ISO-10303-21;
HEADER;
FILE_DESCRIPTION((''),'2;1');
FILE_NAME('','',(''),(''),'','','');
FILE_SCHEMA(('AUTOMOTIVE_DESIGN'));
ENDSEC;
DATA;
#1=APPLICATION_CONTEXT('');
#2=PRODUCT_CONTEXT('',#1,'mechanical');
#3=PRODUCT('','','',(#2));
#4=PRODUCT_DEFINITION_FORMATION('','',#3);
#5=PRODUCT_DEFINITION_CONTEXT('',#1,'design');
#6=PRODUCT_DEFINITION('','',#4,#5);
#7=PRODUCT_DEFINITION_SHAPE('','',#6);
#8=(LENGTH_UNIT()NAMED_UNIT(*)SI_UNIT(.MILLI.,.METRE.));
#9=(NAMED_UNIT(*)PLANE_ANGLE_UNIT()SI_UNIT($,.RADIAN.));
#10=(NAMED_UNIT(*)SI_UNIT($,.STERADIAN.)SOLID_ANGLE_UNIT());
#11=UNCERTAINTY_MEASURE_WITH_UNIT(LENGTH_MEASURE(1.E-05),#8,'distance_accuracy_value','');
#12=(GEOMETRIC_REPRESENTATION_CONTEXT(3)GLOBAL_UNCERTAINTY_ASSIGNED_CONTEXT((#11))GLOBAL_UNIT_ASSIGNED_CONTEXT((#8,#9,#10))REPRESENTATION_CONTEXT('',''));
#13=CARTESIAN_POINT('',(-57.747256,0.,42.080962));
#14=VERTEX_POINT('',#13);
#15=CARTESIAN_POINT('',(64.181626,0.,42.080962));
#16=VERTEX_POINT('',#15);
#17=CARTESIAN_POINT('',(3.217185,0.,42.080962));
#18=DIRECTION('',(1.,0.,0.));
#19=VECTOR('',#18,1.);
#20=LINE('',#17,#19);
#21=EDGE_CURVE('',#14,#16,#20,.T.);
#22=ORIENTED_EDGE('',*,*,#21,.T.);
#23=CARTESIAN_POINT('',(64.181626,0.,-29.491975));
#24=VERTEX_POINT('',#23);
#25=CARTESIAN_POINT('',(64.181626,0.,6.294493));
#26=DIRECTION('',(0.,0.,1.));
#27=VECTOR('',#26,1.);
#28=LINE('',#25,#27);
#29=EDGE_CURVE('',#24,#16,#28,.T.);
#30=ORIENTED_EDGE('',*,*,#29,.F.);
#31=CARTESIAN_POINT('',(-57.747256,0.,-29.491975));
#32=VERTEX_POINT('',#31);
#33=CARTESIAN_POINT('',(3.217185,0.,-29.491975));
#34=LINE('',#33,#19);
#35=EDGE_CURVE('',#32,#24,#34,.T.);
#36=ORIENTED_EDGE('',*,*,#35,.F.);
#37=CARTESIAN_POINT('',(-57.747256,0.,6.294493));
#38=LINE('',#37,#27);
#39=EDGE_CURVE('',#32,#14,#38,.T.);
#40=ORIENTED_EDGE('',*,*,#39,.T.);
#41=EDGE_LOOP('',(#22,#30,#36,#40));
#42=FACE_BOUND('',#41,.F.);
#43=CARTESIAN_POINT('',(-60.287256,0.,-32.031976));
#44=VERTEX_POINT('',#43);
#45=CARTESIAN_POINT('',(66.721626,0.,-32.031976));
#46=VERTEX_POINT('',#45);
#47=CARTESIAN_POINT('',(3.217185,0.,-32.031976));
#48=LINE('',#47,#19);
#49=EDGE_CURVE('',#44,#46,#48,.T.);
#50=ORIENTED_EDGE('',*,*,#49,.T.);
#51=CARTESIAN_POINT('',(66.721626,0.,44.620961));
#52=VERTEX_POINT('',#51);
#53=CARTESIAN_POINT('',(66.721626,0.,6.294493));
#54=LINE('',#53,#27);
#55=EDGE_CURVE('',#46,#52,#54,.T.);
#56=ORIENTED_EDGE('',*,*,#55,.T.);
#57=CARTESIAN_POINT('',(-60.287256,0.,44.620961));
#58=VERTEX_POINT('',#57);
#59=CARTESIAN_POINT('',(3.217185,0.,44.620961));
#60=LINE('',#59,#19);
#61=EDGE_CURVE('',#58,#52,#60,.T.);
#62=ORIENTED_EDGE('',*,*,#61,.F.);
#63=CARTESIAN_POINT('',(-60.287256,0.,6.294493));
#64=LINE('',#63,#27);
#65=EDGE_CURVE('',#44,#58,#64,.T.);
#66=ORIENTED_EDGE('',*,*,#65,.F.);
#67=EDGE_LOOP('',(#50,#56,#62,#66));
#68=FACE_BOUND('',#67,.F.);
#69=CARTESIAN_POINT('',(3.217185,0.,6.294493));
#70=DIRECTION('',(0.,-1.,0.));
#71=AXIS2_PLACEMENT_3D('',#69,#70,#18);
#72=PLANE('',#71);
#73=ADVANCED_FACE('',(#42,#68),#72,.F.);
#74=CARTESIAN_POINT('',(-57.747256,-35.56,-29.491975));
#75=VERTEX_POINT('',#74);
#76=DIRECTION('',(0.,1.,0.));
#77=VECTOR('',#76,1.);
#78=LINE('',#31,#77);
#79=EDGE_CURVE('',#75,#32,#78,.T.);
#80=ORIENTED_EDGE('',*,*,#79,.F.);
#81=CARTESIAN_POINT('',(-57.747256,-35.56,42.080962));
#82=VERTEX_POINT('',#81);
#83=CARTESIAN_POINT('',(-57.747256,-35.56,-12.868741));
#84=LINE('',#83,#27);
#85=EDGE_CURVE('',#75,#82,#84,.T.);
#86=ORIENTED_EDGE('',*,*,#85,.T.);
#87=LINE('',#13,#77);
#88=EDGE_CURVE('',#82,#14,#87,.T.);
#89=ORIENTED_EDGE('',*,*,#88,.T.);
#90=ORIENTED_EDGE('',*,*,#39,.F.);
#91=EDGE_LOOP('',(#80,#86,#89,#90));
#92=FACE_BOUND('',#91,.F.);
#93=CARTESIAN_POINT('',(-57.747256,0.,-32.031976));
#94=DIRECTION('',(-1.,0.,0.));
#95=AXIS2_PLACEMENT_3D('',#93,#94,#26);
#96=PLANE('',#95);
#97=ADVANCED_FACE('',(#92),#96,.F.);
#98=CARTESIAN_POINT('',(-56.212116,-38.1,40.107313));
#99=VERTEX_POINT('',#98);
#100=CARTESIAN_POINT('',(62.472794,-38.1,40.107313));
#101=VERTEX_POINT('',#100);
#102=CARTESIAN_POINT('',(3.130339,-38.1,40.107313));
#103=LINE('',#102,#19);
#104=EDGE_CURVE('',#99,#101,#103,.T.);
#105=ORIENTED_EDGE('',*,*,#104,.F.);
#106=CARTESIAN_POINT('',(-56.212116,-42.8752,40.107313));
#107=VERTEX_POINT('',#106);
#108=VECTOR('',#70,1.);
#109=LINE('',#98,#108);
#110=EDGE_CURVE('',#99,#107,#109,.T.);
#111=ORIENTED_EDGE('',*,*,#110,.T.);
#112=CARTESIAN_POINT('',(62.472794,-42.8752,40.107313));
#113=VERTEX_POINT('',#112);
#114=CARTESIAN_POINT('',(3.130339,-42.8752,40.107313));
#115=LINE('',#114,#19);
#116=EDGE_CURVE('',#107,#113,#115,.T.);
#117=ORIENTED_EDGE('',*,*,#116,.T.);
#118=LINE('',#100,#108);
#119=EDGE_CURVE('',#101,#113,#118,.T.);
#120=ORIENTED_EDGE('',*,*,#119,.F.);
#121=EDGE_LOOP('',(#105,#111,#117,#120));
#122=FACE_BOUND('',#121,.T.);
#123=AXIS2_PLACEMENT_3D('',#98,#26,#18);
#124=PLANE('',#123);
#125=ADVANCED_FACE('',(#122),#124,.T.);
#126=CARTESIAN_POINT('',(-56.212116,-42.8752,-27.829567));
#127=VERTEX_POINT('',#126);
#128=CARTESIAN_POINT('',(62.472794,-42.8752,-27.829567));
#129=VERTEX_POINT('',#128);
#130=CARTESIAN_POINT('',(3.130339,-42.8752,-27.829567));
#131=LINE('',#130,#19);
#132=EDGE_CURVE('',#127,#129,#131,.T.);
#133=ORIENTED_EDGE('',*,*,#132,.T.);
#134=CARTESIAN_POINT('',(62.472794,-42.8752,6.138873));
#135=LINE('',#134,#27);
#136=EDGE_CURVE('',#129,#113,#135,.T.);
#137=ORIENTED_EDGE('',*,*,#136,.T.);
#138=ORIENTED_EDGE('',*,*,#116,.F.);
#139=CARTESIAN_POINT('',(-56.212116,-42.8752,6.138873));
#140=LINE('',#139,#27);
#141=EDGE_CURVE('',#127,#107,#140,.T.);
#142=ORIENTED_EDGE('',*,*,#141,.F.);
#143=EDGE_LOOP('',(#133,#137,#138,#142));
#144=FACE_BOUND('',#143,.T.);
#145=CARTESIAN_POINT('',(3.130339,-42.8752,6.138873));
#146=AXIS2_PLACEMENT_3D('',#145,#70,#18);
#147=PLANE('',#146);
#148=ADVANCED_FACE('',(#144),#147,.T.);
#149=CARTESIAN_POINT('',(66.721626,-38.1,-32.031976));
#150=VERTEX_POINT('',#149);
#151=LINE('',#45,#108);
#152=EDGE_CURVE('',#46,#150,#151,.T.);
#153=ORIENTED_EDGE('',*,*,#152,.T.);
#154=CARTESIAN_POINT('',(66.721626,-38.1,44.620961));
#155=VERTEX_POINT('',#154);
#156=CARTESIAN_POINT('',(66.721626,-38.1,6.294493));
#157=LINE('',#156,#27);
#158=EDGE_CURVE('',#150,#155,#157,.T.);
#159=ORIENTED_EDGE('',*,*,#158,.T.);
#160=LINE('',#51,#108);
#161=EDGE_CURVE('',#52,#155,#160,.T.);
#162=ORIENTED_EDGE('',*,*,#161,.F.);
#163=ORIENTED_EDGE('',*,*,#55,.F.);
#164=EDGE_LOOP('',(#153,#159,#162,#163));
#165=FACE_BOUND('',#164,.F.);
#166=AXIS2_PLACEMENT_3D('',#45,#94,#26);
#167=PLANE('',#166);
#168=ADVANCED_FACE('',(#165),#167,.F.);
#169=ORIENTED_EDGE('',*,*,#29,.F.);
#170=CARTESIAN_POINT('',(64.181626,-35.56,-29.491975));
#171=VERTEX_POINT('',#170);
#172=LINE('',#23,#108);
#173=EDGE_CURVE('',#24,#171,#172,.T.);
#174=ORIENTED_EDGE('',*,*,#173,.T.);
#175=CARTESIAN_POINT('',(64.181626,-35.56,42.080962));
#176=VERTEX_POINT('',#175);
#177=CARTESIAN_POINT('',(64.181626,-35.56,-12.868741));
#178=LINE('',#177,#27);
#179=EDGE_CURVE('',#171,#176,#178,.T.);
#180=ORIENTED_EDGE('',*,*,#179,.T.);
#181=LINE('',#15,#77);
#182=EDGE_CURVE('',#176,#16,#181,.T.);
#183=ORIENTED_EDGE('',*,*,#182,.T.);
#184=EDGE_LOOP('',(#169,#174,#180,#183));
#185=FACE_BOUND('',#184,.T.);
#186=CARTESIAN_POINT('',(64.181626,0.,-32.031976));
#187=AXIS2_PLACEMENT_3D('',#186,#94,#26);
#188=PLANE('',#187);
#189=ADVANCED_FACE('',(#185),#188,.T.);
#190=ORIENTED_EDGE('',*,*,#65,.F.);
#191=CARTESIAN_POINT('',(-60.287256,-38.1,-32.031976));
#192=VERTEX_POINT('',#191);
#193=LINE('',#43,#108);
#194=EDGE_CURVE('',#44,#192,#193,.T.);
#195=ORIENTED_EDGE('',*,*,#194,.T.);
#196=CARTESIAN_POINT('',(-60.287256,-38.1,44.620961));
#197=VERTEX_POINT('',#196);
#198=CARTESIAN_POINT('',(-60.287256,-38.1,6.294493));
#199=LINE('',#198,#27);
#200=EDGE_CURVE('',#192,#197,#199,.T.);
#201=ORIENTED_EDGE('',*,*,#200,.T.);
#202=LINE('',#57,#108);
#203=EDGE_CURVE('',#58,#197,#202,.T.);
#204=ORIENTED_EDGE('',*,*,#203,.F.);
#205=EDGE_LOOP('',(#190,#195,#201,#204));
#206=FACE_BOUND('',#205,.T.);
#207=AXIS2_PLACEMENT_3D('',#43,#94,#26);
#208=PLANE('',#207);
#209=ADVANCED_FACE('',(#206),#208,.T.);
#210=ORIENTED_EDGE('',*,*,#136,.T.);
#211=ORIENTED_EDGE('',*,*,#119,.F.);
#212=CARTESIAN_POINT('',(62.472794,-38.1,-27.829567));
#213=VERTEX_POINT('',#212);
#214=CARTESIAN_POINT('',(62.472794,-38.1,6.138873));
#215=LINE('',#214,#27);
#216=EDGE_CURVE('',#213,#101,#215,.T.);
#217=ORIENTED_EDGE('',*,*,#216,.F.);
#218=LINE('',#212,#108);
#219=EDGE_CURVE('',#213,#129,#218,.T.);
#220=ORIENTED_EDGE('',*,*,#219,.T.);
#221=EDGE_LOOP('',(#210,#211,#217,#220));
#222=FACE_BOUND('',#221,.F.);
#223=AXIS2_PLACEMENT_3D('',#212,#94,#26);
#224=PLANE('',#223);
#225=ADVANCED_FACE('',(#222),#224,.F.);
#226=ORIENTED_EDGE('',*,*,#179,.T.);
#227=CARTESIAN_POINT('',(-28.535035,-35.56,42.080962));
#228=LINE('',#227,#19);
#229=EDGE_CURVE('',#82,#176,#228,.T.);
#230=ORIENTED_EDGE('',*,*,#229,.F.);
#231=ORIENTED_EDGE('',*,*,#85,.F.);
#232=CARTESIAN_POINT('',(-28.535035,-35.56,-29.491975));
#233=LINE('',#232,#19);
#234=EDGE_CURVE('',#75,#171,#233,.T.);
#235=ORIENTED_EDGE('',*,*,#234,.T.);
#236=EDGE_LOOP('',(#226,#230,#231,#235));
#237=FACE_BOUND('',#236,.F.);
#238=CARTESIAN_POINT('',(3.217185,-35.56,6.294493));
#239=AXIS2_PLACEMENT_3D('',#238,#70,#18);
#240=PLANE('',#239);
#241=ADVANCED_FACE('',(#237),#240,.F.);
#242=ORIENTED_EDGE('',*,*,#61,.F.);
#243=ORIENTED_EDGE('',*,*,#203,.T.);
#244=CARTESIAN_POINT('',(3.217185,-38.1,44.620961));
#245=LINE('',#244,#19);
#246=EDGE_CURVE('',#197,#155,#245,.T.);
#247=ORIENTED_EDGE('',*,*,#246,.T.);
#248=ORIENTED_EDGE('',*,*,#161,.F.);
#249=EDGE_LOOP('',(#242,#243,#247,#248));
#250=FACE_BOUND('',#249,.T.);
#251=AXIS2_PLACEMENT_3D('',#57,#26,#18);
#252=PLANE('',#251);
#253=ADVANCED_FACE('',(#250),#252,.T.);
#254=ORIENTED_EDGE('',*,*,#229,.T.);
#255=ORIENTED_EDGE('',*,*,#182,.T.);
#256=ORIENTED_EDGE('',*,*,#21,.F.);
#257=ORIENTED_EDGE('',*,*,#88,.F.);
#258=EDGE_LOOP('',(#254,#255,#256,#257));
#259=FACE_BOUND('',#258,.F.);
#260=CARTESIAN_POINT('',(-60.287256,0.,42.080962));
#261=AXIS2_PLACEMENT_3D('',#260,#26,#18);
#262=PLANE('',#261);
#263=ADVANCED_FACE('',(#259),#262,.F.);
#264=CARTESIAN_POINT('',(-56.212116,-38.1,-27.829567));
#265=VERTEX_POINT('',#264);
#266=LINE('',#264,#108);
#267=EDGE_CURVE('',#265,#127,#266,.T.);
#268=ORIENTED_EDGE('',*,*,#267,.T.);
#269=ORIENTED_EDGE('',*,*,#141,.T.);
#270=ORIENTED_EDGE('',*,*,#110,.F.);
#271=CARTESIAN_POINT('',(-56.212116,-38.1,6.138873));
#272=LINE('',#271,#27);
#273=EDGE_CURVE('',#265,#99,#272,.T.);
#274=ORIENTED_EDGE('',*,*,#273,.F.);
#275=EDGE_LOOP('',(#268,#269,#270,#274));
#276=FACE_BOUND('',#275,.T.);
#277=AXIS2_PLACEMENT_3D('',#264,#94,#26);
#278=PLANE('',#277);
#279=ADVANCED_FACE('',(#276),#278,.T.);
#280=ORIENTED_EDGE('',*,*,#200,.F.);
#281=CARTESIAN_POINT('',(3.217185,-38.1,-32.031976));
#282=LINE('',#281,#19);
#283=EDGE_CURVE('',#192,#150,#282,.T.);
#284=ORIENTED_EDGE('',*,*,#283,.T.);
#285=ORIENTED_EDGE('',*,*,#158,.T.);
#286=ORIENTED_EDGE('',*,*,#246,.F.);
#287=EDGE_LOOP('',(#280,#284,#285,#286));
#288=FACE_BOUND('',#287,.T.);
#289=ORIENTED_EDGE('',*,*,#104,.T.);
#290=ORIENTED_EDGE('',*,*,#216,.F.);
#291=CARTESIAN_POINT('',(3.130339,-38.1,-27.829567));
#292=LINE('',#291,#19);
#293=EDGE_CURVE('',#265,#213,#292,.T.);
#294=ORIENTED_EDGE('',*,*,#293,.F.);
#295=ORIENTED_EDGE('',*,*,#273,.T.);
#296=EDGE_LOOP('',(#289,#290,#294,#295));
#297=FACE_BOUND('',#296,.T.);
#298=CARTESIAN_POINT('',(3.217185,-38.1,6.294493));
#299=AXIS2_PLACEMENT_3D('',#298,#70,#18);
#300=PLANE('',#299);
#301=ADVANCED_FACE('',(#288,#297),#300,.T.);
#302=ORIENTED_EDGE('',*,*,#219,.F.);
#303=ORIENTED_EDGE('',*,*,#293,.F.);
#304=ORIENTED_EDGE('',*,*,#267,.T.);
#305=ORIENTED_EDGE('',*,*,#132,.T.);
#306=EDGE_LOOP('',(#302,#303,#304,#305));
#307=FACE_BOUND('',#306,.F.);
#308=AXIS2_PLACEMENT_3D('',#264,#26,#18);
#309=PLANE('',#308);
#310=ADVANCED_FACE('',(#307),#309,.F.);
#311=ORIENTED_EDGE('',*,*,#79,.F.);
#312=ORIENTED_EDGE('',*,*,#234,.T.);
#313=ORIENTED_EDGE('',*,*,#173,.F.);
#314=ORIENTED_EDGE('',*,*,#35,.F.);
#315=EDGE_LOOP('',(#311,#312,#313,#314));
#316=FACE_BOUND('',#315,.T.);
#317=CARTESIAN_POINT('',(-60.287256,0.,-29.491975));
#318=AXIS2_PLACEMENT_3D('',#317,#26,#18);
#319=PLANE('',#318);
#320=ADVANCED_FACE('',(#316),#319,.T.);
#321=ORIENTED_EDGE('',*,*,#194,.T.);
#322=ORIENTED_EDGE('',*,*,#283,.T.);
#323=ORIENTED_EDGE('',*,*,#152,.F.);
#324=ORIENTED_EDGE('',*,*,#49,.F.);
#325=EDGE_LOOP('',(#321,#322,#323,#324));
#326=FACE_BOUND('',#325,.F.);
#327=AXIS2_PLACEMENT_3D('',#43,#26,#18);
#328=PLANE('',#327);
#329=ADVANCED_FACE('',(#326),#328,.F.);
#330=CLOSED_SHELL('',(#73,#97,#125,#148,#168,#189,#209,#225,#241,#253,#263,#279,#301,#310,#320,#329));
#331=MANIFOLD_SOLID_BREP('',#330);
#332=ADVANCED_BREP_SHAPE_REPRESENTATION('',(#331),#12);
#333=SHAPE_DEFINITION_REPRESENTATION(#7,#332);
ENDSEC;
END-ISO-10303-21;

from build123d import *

# Parameters (mm, degrees)
F0_W     = 127.008882
F0_H     = 76.652937
F1_DEPTH = 38.1
F2_T     = -2.54
F3_W     = 118.68491
F3_H     = 67.936881
F4_DEPTH = 4.7752


with BuildPart() as f1:
    # F0 (on Front) → F1 (new body)
    with BuildSketch(Plane.XZ):
        with Locations((3.217185, 6.294493)):
            Rectangle(F0_W, F0_H)
    extrude(amount=F1_DEPTH)

    # F2
    f2_openings = [f1.faces().sort_by_distance(p)[0] for p in [
        (3.217185, 0, 6.294493),
    ]]
    offset(amount=F2_T, openings=f2_openings)

    # F3 (on face) → F4 (join)
    with BuildSketch(Plane.XZ.offset(38.1)):
        with Locations((3.130339, 6.138873)):
            Rectangle(F3_W, F3_H)
    extrude(amount=F4_DEPTH)


solid = f1.part
